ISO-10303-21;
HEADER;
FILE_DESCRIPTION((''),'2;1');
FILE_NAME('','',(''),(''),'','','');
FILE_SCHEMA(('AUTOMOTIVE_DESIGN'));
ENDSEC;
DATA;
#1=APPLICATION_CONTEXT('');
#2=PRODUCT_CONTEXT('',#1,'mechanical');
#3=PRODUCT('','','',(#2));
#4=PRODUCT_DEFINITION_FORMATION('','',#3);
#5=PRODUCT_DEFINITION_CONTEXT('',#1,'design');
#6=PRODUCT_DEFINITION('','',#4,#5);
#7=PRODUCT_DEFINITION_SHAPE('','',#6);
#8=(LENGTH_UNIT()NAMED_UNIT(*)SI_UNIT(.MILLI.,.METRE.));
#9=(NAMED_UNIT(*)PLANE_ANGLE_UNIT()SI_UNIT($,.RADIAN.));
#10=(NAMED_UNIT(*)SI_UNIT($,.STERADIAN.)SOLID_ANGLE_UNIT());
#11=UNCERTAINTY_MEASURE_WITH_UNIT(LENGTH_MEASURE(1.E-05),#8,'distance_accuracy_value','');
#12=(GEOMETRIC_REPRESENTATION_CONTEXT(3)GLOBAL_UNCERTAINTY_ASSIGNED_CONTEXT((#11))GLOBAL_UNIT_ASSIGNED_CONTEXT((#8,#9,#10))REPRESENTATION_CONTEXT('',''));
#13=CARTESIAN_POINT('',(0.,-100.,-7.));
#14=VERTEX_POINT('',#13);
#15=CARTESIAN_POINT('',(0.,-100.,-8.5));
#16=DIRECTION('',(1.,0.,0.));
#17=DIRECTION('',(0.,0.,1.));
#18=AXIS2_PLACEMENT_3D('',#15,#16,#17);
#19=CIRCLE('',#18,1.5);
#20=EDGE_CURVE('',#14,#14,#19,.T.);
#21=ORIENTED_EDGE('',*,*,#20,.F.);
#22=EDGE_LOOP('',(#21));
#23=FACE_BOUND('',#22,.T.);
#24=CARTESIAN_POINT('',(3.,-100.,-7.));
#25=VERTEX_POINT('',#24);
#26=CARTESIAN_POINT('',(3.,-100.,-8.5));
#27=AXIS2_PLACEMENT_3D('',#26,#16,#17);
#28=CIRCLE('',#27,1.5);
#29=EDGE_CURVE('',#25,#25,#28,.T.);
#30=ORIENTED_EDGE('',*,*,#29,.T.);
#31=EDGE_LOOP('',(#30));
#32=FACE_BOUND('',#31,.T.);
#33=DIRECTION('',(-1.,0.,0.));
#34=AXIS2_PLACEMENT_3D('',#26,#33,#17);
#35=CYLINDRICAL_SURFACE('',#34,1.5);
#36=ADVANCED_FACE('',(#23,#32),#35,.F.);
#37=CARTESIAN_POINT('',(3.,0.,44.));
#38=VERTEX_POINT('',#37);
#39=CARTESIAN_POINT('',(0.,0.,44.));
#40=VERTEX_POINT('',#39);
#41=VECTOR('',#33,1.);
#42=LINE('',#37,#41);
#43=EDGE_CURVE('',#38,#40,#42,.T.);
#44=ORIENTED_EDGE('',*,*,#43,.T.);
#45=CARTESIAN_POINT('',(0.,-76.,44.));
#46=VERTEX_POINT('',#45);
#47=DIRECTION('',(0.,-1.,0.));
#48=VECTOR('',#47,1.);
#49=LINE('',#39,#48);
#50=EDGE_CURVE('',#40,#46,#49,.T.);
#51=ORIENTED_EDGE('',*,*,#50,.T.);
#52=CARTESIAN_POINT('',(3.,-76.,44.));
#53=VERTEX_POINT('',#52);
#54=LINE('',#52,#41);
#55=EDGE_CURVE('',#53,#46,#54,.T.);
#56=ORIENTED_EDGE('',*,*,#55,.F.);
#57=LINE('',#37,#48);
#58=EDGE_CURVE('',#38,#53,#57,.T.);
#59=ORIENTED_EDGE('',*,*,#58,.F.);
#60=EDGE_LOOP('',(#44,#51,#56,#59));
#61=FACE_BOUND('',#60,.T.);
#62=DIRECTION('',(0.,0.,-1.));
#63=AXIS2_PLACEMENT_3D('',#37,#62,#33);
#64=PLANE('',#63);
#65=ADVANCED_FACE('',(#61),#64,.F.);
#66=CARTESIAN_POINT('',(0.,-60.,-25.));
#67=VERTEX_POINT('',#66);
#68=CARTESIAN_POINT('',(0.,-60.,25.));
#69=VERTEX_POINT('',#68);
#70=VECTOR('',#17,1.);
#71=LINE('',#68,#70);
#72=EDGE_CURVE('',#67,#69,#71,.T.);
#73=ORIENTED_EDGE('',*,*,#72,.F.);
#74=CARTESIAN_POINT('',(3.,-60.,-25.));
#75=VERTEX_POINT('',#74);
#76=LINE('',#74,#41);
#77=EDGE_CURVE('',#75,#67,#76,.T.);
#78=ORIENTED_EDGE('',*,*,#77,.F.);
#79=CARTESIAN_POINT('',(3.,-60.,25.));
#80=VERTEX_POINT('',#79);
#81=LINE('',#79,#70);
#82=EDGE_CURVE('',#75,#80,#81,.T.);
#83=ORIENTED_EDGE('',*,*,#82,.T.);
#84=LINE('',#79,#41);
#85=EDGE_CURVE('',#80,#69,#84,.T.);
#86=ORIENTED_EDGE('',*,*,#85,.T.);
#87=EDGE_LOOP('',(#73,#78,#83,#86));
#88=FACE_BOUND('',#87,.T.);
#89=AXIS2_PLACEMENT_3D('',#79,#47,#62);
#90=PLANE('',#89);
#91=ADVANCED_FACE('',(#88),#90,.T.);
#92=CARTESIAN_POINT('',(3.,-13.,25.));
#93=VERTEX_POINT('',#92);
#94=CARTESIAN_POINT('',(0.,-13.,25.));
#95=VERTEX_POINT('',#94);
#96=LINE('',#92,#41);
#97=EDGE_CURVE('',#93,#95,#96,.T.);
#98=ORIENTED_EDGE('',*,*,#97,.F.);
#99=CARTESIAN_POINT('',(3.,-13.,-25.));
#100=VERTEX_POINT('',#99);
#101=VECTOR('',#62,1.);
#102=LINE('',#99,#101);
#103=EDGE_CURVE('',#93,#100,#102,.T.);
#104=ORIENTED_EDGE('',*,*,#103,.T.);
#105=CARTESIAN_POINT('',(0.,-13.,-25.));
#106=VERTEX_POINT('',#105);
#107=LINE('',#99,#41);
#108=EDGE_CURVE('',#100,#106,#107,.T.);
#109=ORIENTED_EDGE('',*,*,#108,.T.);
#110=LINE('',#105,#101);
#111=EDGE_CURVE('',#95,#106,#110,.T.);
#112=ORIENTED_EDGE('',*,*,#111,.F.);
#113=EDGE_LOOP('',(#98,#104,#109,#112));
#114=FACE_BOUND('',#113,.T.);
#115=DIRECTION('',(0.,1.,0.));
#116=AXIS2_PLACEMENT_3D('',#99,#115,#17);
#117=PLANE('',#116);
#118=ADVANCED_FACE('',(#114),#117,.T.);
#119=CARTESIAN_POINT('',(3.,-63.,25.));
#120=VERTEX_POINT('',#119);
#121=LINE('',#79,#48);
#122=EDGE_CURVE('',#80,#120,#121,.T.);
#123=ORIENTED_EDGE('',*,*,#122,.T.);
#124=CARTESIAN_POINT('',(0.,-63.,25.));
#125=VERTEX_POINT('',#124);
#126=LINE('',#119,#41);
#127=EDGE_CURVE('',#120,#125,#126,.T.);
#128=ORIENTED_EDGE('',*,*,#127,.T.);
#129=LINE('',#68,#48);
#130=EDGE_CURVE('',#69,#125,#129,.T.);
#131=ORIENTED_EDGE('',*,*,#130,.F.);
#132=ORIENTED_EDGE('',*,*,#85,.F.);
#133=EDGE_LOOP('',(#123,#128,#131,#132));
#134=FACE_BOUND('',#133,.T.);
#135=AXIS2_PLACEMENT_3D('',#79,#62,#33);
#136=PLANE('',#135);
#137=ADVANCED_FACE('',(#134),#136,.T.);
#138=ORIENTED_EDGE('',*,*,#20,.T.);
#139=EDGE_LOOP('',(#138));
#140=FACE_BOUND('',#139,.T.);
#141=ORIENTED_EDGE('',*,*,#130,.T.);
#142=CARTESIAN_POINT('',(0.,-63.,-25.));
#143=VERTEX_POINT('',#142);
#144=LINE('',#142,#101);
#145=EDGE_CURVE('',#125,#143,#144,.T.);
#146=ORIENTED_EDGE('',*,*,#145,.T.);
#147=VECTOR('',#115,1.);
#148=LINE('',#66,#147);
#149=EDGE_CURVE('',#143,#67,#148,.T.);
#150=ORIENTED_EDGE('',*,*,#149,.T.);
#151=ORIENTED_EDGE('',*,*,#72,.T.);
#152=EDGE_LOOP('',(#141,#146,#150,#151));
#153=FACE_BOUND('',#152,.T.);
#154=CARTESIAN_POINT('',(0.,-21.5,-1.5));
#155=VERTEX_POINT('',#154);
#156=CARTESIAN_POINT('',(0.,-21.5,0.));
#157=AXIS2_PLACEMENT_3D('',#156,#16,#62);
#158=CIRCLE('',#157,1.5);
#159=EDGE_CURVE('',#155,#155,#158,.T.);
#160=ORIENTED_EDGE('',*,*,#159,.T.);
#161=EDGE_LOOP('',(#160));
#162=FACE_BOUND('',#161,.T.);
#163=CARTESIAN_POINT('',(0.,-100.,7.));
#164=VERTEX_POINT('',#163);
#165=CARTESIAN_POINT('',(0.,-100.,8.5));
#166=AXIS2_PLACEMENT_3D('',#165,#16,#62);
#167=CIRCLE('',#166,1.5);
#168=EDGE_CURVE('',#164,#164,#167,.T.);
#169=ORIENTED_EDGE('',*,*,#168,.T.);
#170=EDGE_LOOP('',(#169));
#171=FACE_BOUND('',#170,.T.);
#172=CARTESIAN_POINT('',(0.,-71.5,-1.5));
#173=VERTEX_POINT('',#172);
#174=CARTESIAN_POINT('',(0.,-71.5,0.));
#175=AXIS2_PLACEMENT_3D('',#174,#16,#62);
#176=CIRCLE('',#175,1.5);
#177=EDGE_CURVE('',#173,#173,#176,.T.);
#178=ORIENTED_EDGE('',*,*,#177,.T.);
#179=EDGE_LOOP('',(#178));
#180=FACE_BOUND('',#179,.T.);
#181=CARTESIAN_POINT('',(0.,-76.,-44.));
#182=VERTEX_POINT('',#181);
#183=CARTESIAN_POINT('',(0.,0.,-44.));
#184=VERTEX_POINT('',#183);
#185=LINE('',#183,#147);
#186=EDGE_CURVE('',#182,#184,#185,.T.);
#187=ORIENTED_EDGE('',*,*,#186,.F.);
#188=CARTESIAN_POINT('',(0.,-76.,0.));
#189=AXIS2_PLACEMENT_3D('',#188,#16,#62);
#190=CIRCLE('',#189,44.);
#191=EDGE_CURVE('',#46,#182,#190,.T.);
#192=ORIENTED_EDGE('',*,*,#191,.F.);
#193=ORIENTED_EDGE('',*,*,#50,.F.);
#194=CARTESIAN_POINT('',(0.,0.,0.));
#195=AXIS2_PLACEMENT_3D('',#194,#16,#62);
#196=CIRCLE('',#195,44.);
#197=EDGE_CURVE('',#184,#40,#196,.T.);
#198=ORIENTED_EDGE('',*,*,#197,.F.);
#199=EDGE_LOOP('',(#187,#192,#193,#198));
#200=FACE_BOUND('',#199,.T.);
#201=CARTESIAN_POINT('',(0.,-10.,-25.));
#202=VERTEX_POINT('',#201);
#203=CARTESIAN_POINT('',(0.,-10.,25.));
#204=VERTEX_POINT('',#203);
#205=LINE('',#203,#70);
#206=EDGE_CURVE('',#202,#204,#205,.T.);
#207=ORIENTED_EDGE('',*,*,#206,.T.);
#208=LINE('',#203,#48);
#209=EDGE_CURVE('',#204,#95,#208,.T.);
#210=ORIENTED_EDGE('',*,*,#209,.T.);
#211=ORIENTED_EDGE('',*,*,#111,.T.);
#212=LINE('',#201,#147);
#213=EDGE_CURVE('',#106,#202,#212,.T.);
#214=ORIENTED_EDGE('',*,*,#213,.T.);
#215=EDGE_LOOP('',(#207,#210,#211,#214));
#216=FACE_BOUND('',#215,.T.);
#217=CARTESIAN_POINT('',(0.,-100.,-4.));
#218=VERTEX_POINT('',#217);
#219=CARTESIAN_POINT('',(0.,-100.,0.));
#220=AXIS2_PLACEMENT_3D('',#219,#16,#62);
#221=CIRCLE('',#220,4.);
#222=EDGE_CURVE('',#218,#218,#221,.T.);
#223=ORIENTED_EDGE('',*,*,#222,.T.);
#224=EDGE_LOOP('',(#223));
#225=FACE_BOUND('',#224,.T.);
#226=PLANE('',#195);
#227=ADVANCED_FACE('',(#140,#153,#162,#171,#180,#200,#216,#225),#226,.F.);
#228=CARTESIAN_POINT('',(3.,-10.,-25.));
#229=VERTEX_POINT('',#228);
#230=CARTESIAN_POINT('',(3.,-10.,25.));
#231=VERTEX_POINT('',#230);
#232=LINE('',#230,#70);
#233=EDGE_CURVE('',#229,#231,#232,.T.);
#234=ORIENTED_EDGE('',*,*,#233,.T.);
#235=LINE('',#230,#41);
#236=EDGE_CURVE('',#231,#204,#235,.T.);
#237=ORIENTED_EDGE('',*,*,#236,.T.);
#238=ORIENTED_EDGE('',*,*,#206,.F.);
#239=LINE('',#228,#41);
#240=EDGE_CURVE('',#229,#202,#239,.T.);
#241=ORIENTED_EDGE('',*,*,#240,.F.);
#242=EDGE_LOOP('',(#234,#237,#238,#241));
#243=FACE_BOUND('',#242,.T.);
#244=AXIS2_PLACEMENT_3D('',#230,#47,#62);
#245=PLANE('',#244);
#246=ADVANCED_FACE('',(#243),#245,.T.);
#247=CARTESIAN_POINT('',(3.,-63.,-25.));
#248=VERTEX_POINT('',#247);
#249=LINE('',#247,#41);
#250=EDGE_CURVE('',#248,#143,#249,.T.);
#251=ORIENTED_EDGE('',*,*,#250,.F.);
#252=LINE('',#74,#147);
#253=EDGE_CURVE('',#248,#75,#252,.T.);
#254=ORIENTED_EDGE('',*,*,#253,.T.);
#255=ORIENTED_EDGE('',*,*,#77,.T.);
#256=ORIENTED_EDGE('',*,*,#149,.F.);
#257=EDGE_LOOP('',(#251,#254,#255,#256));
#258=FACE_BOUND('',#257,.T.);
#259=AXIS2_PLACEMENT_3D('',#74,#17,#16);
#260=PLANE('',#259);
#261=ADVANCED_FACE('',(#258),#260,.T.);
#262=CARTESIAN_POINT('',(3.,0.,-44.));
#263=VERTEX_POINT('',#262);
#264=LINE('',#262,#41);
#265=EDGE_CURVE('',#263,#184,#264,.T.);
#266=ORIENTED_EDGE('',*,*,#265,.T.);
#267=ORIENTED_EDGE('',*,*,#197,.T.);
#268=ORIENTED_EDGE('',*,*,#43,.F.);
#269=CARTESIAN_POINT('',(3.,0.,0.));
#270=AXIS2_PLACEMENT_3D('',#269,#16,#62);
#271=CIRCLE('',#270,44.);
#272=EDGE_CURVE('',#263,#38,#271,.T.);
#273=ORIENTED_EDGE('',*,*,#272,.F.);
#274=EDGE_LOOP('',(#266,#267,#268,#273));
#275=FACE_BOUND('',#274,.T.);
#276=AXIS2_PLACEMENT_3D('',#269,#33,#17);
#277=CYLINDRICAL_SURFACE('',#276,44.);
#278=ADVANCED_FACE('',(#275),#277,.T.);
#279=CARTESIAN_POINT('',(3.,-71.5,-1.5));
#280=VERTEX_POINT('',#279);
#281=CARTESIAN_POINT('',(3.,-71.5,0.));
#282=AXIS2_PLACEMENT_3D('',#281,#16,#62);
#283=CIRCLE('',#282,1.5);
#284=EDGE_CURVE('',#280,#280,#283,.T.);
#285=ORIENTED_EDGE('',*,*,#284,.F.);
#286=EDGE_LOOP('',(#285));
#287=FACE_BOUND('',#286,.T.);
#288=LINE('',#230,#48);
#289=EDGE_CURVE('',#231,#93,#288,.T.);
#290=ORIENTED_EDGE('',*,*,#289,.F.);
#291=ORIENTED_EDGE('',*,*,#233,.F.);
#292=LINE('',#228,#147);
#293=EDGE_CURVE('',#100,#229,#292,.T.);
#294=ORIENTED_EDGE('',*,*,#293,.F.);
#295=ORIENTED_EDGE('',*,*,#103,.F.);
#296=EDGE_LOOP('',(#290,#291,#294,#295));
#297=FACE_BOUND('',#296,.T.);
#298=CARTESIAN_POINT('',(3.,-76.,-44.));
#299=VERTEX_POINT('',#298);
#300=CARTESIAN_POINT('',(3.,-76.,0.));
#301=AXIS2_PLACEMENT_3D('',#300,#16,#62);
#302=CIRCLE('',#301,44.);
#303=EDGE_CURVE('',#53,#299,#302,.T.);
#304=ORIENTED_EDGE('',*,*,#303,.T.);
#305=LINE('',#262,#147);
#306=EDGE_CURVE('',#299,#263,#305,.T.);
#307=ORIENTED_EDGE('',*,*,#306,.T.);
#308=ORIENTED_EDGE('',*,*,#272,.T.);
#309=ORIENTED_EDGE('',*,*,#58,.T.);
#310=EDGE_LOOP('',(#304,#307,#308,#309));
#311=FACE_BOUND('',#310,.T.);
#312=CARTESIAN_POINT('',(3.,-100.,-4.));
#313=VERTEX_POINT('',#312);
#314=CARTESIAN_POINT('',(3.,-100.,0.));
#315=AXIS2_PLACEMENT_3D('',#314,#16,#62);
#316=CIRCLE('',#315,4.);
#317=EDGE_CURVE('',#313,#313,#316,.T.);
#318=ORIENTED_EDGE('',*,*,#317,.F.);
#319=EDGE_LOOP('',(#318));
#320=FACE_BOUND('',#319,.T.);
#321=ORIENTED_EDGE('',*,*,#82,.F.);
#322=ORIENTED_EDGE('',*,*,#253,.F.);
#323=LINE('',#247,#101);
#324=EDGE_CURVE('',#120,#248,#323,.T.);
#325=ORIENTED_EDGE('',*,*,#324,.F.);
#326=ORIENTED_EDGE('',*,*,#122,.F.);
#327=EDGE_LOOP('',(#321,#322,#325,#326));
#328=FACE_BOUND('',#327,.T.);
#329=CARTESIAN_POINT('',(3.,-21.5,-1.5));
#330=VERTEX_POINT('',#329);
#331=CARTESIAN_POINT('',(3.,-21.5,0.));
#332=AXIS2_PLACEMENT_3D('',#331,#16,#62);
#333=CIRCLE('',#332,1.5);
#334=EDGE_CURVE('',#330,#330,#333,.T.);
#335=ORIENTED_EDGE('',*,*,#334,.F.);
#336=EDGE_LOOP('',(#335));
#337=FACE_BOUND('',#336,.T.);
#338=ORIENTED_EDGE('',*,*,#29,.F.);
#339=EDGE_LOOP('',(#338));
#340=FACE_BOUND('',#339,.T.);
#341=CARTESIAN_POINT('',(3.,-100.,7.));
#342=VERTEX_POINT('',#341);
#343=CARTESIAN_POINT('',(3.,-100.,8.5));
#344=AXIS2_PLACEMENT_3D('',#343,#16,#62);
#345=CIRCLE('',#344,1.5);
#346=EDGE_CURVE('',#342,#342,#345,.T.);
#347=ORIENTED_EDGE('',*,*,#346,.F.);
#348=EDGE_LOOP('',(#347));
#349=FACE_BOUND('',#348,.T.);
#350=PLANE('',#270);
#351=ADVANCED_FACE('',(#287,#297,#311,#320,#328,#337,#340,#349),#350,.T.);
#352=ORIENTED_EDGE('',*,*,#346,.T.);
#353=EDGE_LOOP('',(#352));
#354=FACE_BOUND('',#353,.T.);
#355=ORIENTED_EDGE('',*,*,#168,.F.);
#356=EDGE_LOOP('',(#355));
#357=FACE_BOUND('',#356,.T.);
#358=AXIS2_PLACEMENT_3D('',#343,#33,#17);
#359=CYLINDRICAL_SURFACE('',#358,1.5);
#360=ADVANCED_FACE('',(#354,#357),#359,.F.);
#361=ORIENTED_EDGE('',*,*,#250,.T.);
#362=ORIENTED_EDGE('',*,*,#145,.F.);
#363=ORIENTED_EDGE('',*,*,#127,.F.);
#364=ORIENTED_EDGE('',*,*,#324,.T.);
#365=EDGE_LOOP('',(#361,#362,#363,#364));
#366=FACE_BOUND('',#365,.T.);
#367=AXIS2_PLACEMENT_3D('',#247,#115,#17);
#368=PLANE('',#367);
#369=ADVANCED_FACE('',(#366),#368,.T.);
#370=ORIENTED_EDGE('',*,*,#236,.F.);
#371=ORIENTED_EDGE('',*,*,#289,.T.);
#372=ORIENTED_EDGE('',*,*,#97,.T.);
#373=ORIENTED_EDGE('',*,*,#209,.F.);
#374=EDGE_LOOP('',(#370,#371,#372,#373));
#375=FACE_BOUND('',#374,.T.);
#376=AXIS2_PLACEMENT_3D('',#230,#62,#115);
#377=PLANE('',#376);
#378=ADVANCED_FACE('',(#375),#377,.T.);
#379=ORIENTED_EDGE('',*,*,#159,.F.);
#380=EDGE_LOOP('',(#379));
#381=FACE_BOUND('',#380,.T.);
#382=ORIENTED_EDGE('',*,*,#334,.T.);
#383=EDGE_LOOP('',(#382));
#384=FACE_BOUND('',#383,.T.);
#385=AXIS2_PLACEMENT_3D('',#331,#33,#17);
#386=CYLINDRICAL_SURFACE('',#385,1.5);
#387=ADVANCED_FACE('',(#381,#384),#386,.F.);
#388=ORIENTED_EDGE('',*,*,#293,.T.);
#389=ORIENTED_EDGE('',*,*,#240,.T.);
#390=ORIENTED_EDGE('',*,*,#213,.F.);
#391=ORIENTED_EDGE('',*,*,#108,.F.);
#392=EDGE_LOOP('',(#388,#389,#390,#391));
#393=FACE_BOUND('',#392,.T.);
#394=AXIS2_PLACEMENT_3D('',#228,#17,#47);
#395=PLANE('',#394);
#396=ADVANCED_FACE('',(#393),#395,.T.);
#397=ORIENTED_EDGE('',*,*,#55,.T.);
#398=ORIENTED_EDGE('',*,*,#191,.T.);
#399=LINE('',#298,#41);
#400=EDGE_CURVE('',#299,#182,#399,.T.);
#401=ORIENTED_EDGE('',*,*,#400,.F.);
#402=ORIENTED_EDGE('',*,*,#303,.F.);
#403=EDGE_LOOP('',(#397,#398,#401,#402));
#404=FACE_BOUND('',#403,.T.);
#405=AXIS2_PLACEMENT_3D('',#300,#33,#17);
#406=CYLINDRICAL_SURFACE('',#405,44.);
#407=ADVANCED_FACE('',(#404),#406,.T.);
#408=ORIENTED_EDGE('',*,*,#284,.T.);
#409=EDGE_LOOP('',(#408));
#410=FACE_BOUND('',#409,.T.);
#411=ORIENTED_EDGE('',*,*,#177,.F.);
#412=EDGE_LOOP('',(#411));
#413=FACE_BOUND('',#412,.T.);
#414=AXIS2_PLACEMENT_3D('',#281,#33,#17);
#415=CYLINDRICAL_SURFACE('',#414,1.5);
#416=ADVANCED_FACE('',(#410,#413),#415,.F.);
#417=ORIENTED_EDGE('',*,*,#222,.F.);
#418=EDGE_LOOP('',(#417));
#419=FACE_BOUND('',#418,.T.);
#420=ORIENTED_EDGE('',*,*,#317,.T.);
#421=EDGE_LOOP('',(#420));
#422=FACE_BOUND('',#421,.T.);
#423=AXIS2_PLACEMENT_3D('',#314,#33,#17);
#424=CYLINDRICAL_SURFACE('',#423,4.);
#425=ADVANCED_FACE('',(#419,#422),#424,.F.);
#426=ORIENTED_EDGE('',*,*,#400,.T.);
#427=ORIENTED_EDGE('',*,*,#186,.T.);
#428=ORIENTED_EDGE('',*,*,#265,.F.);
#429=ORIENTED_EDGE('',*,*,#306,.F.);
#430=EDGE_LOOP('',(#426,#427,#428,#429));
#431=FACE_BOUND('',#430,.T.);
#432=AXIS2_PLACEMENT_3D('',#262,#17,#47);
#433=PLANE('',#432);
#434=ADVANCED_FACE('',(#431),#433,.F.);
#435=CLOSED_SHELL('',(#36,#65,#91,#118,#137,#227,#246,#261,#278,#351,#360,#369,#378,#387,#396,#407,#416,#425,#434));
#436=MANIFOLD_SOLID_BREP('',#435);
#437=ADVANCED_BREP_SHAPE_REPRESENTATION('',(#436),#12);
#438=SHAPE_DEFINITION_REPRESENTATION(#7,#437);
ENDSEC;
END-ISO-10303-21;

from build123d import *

# Parameters (mm, degrees)
SKETCH1_R           = 1.5
SKETCH1_R_2         = 4
SKETCH1_W           = 50
SKETCH1_H           = 3
BOSS_EXTRUDE1_DEPTH = 3


with BuildPart() as part:
    # Sketch1 → Boss-Extrude1 (new body)
    with BuildSketch(Plane(origin=(0, 0, 0), x_dir=(0, 0, -1), z_dir=(1, 0, 0))):
        with BuildLine():
            Line((-44, 0), (-44, -76))
            ThreePointArc((-44, -76), (0, -120), (44, -76))
            Line((44, -76), (44, 0))
            ThreePointArc((44, 0), (0, 44), (-44, 0))
        make_face()
        with Locations((0, -21.5)):
            Circle(SKETCH1_R, mode=Mode.SUBTRACT)
        with Locations((0, -71.5)):
            Circle(SKETCH1_R, mode=Mode.SUBTRACT)
        with Locations((0, -100)):
            Circle(SKETCH1_R_2, mode=Mode.SUBTRACT)
        with Locations((-8.5, -100)):
            Circle(SKETCH1_R, mode=Mode.SUBTRACT)
        with Locations((8.5, -100)):
            Circle(SKETCH1_R, mode=Mode.SUBTRACT)
        with Locations((0, -11.5)):
            Rectangle(SKETCH1_W, SKETCH1_H, mode=Mode.SUBTRACT)
        with Locations((0, -61.5)):
            Rectangle(SKETCH1_W, SKETCH1_H, mode=Mode.SUBTRACT)
    extrude(amount=BOSS_EXTRUDE1_DEPTH)


solid = part.part
